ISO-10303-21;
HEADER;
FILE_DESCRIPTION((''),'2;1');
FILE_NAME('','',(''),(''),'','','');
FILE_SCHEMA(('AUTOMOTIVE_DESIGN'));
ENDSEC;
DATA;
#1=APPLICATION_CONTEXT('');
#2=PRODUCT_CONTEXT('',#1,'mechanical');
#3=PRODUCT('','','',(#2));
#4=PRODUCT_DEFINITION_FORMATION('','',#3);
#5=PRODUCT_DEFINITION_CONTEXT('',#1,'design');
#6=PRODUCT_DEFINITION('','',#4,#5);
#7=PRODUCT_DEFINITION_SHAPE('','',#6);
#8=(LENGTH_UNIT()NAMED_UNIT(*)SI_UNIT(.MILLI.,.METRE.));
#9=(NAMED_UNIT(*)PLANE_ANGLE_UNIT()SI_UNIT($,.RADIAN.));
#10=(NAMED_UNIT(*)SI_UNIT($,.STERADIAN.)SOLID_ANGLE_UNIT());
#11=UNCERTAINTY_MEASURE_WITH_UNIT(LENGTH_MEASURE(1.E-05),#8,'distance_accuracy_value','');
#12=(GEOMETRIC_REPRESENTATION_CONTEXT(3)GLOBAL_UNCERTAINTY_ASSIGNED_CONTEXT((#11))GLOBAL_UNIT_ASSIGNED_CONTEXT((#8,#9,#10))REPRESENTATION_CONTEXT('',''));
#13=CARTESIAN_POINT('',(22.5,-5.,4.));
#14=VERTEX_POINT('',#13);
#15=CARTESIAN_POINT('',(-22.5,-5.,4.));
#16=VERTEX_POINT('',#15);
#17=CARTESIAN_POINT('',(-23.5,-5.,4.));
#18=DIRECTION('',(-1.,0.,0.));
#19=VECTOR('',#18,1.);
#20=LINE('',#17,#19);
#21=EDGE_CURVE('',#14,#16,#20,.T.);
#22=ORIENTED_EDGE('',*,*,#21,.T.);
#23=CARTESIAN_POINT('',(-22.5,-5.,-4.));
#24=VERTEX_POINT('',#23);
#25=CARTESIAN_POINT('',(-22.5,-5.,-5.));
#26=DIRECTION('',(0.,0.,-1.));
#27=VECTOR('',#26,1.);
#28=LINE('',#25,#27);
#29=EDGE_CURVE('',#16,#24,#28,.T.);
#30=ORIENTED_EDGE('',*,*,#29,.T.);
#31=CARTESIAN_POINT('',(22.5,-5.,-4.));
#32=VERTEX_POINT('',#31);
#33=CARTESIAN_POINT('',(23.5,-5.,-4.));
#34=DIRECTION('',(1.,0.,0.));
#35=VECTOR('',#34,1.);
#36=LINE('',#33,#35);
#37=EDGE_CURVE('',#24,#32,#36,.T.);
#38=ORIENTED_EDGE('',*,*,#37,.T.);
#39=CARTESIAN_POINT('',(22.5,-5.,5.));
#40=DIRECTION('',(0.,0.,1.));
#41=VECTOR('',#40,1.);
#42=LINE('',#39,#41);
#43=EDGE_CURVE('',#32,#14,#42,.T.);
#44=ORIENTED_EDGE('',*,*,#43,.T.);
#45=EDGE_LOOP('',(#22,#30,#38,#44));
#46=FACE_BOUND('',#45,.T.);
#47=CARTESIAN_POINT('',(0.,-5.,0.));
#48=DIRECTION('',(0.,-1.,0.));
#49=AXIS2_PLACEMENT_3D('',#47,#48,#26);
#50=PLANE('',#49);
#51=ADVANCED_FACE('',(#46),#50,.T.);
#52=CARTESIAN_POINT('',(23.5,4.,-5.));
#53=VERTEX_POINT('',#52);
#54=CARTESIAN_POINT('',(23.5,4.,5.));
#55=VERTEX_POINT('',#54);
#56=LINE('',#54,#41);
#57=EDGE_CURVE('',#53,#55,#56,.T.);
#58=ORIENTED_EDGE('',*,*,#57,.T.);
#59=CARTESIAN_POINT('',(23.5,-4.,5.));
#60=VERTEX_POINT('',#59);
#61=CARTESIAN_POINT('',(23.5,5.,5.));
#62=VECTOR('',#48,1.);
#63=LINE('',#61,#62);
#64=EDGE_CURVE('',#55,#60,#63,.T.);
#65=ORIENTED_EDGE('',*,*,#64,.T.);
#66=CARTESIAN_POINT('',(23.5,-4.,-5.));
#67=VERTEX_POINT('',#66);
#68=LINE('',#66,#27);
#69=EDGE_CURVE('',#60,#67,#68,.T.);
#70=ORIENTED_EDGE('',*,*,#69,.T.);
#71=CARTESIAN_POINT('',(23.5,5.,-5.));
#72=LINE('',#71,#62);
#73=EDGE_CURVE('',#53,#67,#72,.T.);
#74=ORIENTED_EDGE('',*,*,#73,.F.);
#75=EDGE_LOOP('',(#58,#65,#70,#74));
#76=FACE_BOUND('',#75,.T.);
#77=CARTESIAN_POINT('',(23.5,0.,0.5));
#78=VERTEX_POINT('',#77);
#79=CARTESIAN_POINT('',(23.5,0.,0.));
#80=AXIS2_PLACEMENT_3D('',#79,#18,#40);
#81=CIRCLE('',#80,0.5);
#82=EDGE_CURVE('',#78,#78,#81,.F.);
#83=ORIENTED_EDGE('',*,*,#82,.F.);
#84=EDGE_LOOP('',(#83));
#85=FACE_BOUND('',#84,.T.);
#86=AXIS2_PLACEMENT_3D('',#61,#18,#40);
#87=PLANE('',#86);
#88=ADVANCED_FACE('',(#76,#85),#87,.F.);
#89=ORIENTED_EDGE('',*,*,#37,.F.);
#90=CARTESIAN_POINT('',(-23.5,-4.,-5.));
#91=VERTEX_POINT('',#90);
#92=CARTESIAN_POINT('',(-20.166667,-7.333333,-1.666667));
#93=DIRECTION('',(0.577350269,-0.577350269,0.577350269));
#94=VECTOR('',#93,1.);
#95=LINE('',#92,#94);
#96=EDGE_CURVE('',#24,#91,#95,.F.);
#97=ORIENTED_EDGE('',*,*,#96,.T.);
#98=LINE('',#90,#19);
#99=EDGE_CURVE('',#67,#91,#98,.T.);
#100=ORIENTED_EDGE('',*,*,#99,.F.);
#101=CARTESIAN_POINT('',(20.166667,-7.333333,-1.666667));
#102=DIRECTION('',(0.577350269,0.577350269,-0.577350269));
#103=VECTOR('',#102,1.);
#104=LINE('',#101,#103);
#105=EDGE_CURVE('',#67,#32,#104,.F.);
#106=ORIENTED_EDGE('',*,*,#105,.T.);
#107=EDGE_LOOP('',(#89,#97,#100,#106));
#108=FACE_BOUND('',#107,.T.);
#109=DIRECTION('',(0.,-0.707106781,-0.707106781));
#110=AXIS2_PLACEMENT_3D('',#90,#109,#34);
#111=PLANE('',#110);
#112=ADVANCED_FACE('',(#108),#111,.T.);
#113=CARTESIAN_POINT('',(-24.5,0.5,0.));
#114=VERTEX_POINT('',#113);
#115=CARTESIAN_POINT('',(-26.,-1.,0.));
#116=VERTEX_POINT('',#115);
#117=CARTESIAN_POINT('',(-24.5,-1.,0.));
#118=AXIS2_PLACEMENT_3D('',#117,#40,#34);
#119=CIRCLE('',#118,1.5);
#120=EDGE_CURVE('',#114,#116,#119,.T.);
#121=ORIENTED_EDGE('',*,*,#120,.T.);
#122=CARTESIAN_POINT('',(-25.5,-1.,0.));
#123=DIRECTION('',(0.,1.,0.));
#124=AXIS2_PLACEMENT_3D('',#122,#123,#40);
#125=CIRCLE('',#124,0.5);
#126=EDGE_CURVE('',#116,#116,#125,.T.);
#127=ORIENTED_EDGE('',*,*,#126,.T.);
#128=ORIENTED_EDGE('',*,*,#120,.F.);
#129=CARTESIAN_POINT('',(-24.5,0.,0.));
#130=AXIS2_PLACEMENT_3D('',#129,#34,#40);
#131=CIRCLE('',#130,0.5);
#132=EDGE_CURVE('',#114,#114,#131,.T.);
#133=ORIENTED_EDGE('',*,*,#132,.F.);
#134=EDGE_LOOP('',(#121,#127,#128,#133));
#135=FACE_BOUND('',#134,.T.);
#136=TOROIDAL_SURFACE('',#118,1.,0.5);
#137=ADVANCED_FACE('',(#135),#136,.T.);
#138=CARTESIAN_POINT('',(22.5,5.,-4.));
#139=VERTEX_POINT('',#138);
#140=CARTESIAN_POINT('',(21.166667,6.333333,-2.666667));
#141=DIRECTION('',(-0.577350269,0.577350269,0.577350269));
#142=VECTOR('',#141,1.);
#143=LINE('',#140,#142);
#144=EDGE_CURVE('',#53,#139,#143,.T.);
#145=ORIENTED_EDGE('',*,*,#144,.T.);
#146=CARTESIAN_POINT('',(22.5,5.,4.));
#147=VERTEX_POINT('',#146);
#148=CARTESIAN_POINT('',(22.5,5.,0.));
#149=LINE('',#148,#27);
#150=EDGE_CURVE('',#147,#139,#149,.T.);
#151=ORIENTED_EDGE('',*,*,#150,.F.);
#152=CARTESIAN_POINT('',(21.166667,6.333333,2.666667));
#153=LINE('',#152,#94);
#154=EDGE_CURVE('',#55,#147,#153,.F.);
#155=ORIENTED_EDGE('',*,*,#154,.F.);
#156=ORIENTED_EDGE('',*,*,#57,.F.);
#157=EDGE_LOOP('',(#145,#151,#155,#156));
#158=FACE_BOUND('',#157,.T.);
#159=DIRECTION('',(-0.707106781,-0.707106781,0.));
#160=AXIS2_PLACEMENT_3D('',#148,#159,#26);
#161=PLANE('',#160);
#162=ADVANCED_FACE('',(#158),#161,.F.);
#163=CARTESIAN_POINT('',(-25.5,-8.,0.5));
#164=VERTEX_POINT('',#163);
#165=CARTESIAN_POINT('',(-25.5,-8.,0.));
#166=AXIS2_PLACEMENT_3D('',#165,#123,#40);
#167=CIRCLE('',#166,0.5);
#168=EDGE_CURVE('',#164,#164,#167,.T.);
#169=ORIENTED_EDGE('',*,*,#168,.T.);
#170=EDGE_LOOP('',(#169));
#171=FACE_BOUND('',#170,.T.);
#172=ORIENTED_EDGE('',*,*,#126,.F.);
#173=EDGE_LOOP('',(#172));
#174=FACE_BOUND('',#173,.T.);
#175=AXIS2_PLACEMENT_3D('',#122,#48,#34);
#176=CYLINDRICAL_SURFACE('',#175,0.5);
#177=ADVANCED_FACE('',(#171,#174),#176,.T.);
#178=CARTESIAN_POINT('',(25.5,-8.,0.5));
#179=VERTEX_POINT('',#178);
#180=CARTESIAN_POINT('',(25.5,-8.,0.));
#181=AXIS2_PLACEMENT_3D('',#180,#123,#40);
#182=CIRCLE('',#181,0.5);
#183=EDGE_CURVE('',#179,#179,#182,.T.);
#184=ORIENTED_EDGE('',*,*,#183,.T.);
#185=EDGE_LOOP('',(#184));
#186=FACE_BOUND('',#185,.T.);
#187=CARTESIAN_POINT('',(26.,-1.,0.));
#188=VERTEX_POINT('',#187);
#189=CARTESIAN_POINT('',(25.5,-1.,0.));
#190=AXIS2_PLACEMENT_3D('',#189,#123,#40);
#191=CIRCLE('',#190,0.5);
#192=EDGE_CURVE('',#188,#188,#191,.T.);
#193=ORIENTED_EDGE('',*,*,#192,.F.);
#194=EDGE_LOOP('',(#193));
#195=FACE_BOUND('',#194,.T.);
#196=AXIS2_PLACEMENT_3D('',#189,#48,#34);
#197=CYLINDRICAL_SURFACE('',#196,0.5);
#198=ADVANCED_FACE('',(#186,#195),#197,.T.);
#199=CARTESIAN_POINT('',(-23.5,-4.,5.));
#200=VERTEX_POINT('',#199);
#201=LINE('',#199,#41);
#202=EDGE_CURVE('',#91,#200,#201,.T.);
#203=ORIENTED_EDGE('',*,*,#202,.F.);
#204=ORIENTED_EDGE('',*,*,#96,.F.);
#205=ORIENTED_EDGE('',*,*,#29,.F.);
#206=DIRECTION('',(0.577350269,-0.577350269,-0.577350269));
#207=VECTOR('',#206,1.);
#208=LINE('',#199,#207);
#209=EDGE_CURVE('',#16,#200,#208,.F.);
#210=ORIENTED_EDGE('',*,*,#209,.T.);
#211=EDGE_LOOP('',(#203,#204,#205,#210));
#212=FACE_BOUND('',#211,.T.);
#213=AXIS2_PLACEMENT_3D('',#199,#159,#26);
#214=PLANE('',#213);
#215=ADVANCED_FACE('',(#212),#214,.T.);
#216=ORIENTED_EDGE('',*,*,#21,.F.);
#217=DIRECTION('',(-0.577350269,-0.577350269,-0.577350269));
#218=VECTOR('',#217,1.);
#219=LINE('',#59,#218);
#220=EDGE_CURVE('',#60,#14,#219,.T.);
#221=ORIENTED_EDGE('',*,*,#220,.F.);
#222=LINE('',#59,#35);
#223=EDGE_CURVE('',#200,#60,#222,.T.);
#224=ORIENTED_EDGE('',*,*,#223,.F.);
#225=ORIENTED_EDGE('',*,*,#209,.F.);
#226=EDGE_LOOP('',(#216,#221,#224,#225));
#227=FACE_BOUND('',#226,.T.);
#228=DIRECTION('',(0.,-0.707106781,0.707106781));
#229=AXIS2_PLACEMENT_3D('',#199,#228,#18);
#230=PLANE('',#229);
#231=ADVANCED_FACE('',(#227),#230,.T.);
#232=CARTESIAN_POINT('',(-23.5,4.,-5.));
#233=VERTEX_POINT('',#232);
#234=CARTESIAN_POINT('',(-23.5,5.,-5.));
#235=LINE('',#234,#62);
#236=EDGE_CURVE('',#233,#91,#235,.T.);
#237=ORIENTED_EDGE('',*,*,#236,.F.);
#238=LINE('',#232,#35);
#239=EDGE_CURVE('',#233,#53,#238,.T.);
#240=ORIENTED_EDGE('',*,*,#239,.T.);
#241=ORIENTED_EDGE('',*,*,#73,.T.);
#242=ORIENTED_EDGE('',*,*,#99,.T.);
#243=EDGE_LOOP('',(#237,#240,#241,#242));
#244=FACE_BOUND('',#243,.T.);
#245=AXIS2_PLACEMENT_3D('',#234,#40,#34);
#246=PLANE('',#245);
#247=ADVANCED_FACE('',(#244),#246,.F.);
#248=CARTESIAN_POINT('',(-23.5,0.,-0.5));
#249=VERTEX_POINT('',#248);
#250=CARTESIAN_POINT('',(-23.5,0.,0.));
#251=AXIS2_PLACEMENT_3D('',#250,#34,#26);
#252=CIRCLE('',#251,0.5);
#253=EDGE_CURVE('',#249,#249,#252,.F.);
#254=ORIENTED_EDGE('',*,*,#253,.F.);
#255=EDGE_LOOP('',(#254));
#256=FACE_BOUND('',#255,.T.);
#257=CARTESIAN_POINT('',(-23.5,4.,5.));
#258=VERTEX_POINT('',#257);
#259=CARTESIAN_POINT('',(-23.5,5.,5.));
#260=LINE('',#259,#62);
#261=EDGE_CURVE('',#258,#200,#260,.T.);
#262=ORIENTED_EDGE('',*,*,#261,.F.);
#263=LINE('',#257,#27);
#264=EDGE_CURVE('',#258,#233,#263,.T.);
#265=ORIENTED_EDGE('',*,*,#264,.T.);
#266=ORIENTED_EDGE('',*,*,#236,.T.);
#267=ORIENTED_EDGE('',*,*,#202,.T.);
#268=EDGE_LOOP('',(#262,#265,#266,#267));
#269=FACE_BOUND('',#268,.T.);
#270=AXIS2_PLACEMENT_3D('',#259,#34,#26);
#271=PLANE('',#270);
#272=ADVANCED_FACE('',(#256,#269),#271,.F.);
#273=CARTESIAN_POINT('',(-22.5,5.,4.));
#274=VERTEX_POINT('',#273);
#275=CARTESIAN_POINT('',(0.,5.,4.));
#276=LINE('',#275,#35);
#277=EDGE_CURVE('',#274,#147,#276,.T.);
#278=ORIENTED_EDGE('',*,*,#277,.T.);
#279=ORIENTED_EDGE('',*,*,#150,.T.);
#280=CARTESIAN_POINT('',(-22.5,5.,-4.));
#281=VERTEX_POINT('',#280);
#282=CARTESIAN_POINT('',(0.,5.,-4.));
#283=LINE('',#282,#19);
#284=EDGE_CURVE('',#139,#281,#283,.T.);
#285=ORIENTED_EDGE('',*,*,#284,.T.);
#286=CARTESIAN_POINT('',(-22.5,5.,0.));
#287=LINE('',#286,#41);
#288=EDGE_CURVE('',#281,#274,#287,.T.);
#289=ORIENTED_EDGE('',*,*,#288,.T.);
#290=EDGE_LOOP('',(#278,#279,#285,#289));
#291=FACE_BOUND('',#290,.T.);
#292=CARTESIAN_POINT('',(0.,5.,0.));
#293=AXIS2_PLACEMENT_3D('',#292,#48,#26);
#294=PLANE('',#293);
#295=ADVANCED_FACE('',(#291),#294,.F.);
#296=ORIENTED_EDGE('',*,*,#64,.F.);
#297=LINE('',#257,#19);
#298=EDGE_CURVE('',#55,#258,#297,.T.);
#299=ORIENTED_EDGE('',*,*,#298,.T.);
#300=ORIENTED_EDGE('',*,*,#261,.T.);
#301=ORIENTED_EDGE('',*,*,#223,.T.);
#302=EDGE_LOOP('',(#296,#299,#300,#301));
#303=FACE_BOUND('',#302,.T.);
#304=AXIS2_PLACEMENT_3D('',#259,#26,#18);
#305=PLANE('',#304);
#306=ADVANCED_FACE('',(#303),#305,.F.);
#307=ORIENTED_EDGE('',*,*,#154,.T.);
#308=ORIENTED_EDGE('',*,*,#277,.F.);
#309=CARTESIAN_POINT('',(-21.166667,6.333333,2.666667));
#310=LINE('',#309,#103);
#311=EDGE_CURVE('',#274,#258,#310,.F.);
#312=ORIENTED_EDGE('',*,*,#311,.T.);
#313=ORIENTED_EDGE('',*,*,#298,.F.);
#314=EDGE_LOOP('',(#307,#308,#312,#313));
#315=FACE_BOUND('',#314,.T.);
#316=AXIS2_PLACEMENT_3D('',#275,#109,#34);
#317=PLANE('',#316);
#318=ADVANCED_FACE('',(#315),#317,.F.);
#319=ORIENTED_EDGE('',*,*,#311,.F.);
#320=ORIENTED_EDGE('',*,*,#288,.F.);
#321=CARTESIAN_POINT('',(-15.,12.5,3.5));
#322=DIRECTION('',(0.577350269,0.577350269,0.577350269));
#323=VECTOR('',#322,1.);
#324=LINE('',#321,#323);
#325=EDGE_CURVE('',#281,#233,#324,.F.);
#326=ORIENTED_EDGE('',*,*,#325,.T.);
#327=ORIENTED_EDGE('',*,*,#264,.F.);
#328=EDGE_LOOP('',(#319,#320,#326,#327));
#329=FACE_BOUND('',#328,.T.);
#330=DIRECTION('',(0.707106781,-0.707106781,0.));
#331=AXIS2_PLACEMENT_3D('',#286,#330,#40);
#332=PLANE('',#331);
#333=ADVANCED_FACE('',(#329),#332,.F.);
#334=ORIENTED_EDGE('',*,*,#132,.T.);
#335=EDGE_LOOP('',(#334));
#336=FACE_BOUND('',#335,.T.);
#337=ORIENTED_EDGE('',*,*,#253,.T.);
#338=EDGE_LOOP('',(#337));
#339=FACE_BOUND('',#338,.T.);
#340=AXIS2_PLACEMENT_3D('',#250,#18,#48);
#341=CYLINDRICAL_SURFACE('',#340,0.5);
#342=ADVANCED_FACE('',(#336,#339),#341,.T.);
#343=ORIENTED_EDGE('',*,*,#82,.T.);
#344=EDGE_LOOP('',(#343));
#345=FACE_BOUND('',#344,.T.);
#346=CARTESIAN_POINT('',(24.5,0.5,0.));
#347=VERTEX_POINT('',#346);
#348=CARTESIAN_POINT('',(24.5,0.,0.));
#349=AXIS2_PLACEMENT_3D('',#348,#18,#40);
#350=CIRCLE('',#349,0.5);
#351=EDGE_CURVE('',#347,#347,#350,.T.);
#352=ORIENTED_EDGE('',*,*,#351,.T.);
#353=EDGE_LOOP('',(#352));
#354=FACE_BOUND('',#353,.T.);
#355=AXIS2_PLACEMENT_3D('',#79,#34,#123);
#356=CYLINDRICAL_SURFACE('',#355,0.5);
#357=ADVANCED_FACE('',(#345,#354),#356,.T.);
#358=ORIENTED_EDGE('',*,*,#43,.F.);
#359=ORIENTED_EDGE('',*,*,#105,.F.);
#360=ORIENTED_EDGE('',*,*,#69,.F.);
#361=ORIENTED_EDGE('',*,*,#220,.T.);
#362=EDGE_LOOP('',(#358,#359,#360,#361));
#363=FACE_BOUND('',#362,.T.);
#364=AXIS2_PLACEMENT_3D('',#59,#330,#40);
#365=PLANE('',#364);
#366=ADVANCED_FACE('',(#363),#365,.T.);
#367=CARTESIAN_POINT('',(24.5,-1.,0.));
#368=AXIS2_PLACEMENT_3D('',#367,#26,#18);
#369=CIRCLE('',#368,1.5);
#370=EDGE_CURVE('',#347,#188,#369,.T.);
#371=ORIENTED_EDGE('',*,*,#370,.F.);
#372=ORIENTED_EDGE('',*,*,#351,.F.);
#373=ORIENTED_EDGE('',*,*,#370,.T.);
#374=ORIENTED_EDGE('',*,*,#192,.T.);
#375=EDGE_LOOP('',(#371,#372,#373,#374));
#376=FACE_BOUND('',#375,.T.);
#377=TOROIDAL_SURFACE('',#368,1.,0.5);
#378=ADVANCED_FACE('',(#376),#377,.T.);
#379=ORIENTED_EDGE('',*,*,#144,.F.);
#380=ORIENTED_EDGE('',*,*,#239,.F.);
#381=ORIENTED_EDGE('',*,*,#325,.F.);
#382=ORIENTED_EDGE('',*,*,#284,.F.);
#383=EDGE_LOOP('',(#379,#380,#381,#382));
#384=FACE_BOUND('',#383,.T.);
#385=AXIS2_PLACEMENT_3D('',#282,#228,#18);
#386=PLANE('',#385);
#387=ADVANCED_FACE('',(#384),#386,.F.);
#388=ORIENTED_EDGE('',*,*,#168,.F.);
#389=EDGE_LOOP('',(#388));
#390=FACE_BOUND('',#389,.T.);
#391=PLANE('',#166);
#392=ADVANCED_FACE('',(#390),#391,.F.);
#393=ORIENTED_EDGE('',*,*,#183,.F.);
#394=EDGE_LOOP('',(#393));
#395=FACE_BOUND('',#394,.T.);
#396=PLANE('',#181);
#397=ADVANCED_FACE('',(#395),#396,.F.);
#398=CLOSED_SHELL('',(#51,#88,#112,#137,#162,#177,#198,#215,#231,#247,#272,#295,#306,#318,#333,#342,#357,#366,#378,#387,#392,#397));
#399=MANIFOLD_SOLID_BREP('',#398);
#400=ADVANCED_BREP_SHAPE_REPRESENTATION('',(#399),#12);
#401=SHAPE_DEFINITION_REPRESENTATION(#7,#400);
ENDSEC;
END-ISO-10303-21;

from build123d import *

# Parameters (mm, degrees)
SKETCH_1_W        = 47
SKETCH_1_H        = 10
EXTRUDE_1_DEPTH   = 5
CHAMFER_1_SIZE    = 1
SWEEP_1_PROFILE_R = 0.5
SWEEP_2_PROFILE_R = 0.5


with BuildPart() as part:
    # 草图1 → 凸台-拉伸1 (new, symmetric)
    with BuildSketch(Plane(origin=(0, 0, 0), x_dir=(1, 0, 0), z_dir=(0, 1, 0))):
        Rectangle(SKETCH_1_W, SKETCH_1_H)
    extrude(amount=EXTRUDE_1_DEPTH, both=True)

    # 倒角1
    chamfer_1_edges = [part.edges().sort_by_distance(p)[0] for p in [
        (-23.5, 5, 0),
        (0, 5, 5),
        (23.5, 5, 0),
        (0, -5, 5),
        (-23.5, -5, 0),
        (0, -5, -5),
        (23.5, -5, 0),
        (0, 5, -5),
    ]]
    chamfer(chamfer_1_edges, length=CHAMFER_1_SIZE)

    # 扫描1: sweep along a path in 草图2
    with BuildLine(Plane.XY) as sweep_1_path:
        Line((23.5, 0), (24.5, 0))
        ThreePointArc((24.5, 0), (25.207106781, -0.292893219), (25.5, -1))
        Line((25.5, -1), (25.5, -8))
    # 扫描1 profile (on start of the path) → 扫描1 (sweep)
    with BuildSketch(Plane.YZ.offset(23.5)):
        Circle(SWEEP_1_PROFILE_R)
    sweep(path=sweep_1_path.line)

    # 扫描2: sweep along a path in 草图9
    with BuildLine(Plane.XY) as sweep_2_path:
        Line((-23.5, 0), (-24.5, 0))
        ThreePointArc((-24.5, 0), (-25.207106781, -0.292893219), (-25.5, -1))
        Line((-25.5, -1), (-25.5, -8))
    # 扫描2 profile (on start of the path) → 扫描2 (sweep)
    with BuildSketch(Plane(origin=(-23.5, 0, 0), x_dir=(0, -1, 0), z_dir=(-1, 0, 0))):
        Circle(SWEEP_2_PROFILE_R)
    sweep(path=sweep_2_path.line)


solid = part.part
